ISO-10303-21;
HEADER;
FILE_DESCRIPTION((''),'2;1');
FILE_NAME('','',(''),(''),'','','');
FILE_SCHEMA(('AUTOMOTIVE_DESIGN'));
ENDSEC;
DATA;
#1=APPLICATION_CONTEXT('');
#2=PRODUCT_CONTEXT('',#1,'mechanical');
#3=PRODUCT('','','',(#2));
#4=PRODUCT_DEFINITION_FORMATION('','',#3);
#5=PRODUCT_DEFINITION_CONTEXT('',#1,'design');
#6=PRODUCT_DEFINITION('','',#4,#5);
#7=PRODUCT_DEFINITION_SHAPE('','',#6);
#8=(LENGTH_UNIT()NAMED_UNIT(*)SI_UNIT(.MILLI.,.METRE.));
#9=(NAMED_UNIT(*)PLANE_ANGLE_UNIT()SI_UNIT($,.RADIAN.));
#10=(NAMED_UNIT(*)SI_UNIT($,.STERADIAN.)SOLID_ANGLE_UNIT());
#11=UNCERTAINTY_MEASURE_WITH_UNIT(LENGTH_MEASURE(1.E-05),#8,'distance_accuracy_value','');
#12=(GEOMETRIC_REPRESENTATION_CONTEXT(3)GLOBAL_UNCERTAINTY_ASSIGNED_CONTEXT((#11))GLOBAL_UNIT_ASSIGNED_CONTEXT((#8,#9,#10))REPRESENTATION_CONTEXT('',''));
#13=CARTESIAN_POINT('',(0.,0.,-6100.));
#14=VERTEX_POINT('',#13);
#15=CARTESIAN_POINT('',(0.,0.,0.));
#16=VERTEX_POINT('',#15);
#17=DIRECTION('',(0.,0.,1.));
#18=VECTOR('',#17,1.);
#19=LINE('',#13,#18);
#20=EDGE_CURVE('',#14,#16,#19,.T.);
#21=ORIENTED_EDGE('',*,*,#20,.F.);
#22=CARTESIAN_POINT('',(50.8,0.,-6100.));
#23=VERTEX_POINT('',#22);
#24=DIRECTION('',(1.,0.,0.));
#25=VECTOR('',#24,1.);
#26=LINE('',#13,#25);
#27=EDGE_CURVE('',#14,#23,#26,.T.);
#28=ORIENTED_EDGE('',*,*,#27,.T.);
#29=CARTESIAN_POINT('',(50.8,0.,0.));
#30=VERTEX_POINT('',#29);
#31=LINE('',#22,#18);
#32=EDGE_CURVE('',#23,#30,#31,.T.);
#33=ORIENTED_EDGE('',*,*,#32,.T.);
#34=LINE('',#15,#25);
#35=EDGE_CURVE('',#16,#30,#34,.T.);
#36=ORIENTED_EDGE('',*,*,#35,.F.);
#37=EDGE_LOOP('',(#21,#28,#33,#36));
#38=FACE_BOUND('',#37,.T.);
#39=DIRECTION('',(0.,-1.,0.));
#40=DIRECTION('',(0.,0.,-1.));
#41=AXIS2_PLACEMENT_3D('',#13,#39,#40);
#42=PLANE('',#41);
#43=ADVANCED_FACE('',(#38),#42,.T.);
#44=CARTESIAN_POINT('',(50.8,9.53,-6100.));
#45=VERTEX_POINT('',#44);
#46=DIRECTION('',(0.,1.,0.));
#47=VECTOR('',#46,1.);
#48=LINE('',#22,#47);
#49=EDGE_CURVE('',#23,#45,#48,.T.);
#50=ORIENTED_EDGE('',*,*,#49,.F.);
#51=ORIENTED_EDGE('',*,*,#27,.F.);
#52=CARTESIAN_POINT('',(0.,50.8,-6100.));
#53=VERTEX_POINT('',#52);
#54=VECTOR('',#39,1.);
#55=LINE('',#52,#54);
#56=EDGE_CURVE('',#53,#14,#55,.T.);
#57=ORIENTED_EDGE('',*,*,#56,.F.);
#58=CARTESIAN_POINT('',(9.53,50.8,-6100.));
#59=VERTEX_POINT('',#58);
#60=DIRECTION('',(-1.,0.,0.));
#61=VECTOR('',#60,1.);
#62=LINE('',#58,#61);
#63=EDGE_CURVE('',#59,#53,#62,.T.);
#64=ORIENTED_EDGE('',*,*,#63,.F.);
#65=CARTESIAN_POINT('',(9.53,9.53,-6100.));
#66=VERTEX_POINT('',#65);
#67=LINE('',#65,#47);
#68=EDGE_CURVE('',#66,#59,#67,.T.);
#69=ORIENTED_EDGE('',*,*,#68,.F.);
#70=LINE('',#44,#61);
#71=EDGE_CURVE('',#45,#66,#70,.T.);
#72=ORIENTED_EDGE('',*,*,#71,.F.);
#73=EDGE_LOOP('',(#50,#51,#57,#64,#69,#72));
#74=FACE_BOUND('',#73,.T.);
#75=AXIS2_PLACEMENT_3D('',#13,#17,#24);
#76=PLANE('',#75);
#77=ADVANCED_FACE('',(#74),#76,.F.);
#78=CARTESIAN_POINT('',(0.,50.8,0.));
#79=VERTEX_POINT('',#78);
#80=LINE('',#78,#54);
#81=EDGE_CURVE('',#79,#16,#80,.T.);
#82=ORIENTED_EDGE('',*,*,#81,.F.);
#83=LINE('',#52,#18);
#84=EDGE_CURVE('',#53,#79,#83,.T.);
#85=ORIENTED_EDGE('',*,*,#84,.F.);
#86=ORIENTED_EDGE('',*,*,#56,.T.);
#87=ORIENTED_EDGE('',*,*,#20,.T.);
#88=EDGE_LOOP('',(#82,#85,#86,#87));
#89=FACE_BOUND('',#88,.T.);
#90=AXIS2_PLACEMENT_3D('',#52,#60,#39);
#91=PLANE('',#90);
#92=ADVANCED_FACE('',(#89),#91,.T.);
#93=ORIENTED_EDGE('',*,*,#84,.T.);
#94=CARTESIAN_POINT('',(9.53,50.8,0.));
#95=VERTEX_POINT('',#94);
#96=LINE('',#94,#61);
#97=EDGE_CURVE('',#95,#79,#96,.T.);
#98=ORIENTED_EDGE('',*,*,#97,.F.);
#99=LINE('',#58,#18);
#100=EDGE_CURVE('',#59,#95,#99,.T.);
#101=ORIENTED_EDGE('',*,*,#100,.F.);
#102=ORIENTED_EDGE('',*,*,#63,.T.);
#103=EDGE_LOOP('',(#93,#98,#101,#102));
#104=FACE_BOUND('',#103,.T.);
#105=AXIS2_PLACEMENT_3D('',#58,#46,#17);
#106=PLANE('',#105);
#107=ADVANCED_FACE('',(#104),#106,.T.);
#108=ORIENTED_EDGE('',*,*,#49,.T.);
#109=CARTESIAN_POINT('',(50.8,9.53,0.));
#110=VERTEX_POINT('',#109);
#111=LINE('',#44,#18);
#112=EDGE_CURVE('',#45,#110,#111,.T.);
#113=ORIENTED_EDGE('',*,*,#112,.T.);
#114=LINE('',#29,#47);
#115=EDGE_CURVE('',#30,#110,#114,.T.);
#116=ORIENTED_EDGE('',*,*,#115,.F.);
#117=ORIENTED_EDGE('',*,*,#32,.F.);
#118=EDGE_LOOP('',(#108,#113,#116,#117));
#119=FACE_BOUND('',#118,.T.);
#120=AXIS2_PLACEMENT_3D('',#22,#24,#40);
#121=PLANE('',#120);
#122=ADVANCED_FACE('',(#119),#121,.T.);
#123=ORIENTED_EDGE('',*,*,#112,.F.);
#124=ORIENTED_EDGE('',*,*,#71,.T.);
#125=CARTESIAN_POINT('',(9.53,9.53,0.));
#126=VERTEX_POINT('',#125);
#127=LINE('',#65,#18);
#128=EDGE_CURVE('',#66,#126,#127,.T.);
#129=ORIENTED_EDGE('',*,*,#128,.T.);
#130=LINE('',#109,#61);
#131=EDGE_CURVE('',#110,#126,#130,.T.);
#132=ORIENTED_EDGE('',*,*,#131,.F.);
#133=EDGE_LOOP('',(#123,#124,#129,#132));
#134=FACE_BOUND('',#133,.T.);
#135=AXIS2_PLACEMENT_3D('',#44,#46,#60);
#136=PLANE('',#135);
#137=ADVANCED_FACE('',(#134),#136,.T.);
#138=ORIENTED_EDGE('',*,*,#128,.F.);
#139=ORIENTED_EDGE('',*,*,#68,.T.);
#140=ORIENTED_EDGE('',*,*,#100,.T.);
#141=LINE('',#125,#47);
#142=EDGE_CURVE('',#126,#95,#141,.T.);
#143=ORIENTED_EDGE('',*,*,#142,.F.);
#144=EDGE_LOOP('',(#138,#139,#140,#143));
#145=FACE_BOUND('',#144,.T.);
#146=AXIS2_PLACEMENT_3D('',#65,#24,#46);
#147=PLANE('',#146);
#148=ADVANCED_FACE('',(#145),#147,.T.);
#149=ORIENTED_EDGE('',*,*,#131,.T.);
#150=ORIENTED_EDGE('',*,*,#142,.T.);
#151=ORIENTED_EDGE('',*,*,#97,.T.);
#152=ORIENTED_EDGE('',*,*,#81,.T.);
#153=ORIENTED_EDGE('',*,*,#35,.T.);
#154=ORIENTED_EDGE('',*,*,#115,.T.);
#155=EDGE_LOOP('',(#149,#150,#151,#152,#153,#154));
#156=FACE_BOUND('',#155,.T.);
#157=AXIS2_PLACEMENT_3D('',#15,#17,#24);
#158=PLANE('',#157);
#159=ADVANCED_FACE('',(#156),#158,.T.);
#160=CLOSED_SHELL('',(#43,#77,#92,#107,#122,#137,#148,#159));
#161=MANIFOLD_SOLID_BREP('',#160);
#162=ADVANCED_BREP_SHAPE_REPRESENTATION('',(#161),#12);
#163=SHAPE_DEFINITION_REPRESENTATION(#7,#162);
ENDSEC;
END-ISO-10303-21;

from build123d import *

# Parameters (mm, degrees)
SALIENTE_EXTRUIR1_DEPTH = 6100


with BuildPart() as part:
    # Croquis1 → Saliente-Extruir1 (new body)
    with BuildSketch(Plane.XY):
        Polygon((0, 50.8), (0, 0), (50.8, 0), (50.8, 9.53), (9.53, 9.53), (9.53, 50.8), align=None)
    extrude(amount=-SALIENTE_EXTRUIR1_DEPTH)


solid = part.part
